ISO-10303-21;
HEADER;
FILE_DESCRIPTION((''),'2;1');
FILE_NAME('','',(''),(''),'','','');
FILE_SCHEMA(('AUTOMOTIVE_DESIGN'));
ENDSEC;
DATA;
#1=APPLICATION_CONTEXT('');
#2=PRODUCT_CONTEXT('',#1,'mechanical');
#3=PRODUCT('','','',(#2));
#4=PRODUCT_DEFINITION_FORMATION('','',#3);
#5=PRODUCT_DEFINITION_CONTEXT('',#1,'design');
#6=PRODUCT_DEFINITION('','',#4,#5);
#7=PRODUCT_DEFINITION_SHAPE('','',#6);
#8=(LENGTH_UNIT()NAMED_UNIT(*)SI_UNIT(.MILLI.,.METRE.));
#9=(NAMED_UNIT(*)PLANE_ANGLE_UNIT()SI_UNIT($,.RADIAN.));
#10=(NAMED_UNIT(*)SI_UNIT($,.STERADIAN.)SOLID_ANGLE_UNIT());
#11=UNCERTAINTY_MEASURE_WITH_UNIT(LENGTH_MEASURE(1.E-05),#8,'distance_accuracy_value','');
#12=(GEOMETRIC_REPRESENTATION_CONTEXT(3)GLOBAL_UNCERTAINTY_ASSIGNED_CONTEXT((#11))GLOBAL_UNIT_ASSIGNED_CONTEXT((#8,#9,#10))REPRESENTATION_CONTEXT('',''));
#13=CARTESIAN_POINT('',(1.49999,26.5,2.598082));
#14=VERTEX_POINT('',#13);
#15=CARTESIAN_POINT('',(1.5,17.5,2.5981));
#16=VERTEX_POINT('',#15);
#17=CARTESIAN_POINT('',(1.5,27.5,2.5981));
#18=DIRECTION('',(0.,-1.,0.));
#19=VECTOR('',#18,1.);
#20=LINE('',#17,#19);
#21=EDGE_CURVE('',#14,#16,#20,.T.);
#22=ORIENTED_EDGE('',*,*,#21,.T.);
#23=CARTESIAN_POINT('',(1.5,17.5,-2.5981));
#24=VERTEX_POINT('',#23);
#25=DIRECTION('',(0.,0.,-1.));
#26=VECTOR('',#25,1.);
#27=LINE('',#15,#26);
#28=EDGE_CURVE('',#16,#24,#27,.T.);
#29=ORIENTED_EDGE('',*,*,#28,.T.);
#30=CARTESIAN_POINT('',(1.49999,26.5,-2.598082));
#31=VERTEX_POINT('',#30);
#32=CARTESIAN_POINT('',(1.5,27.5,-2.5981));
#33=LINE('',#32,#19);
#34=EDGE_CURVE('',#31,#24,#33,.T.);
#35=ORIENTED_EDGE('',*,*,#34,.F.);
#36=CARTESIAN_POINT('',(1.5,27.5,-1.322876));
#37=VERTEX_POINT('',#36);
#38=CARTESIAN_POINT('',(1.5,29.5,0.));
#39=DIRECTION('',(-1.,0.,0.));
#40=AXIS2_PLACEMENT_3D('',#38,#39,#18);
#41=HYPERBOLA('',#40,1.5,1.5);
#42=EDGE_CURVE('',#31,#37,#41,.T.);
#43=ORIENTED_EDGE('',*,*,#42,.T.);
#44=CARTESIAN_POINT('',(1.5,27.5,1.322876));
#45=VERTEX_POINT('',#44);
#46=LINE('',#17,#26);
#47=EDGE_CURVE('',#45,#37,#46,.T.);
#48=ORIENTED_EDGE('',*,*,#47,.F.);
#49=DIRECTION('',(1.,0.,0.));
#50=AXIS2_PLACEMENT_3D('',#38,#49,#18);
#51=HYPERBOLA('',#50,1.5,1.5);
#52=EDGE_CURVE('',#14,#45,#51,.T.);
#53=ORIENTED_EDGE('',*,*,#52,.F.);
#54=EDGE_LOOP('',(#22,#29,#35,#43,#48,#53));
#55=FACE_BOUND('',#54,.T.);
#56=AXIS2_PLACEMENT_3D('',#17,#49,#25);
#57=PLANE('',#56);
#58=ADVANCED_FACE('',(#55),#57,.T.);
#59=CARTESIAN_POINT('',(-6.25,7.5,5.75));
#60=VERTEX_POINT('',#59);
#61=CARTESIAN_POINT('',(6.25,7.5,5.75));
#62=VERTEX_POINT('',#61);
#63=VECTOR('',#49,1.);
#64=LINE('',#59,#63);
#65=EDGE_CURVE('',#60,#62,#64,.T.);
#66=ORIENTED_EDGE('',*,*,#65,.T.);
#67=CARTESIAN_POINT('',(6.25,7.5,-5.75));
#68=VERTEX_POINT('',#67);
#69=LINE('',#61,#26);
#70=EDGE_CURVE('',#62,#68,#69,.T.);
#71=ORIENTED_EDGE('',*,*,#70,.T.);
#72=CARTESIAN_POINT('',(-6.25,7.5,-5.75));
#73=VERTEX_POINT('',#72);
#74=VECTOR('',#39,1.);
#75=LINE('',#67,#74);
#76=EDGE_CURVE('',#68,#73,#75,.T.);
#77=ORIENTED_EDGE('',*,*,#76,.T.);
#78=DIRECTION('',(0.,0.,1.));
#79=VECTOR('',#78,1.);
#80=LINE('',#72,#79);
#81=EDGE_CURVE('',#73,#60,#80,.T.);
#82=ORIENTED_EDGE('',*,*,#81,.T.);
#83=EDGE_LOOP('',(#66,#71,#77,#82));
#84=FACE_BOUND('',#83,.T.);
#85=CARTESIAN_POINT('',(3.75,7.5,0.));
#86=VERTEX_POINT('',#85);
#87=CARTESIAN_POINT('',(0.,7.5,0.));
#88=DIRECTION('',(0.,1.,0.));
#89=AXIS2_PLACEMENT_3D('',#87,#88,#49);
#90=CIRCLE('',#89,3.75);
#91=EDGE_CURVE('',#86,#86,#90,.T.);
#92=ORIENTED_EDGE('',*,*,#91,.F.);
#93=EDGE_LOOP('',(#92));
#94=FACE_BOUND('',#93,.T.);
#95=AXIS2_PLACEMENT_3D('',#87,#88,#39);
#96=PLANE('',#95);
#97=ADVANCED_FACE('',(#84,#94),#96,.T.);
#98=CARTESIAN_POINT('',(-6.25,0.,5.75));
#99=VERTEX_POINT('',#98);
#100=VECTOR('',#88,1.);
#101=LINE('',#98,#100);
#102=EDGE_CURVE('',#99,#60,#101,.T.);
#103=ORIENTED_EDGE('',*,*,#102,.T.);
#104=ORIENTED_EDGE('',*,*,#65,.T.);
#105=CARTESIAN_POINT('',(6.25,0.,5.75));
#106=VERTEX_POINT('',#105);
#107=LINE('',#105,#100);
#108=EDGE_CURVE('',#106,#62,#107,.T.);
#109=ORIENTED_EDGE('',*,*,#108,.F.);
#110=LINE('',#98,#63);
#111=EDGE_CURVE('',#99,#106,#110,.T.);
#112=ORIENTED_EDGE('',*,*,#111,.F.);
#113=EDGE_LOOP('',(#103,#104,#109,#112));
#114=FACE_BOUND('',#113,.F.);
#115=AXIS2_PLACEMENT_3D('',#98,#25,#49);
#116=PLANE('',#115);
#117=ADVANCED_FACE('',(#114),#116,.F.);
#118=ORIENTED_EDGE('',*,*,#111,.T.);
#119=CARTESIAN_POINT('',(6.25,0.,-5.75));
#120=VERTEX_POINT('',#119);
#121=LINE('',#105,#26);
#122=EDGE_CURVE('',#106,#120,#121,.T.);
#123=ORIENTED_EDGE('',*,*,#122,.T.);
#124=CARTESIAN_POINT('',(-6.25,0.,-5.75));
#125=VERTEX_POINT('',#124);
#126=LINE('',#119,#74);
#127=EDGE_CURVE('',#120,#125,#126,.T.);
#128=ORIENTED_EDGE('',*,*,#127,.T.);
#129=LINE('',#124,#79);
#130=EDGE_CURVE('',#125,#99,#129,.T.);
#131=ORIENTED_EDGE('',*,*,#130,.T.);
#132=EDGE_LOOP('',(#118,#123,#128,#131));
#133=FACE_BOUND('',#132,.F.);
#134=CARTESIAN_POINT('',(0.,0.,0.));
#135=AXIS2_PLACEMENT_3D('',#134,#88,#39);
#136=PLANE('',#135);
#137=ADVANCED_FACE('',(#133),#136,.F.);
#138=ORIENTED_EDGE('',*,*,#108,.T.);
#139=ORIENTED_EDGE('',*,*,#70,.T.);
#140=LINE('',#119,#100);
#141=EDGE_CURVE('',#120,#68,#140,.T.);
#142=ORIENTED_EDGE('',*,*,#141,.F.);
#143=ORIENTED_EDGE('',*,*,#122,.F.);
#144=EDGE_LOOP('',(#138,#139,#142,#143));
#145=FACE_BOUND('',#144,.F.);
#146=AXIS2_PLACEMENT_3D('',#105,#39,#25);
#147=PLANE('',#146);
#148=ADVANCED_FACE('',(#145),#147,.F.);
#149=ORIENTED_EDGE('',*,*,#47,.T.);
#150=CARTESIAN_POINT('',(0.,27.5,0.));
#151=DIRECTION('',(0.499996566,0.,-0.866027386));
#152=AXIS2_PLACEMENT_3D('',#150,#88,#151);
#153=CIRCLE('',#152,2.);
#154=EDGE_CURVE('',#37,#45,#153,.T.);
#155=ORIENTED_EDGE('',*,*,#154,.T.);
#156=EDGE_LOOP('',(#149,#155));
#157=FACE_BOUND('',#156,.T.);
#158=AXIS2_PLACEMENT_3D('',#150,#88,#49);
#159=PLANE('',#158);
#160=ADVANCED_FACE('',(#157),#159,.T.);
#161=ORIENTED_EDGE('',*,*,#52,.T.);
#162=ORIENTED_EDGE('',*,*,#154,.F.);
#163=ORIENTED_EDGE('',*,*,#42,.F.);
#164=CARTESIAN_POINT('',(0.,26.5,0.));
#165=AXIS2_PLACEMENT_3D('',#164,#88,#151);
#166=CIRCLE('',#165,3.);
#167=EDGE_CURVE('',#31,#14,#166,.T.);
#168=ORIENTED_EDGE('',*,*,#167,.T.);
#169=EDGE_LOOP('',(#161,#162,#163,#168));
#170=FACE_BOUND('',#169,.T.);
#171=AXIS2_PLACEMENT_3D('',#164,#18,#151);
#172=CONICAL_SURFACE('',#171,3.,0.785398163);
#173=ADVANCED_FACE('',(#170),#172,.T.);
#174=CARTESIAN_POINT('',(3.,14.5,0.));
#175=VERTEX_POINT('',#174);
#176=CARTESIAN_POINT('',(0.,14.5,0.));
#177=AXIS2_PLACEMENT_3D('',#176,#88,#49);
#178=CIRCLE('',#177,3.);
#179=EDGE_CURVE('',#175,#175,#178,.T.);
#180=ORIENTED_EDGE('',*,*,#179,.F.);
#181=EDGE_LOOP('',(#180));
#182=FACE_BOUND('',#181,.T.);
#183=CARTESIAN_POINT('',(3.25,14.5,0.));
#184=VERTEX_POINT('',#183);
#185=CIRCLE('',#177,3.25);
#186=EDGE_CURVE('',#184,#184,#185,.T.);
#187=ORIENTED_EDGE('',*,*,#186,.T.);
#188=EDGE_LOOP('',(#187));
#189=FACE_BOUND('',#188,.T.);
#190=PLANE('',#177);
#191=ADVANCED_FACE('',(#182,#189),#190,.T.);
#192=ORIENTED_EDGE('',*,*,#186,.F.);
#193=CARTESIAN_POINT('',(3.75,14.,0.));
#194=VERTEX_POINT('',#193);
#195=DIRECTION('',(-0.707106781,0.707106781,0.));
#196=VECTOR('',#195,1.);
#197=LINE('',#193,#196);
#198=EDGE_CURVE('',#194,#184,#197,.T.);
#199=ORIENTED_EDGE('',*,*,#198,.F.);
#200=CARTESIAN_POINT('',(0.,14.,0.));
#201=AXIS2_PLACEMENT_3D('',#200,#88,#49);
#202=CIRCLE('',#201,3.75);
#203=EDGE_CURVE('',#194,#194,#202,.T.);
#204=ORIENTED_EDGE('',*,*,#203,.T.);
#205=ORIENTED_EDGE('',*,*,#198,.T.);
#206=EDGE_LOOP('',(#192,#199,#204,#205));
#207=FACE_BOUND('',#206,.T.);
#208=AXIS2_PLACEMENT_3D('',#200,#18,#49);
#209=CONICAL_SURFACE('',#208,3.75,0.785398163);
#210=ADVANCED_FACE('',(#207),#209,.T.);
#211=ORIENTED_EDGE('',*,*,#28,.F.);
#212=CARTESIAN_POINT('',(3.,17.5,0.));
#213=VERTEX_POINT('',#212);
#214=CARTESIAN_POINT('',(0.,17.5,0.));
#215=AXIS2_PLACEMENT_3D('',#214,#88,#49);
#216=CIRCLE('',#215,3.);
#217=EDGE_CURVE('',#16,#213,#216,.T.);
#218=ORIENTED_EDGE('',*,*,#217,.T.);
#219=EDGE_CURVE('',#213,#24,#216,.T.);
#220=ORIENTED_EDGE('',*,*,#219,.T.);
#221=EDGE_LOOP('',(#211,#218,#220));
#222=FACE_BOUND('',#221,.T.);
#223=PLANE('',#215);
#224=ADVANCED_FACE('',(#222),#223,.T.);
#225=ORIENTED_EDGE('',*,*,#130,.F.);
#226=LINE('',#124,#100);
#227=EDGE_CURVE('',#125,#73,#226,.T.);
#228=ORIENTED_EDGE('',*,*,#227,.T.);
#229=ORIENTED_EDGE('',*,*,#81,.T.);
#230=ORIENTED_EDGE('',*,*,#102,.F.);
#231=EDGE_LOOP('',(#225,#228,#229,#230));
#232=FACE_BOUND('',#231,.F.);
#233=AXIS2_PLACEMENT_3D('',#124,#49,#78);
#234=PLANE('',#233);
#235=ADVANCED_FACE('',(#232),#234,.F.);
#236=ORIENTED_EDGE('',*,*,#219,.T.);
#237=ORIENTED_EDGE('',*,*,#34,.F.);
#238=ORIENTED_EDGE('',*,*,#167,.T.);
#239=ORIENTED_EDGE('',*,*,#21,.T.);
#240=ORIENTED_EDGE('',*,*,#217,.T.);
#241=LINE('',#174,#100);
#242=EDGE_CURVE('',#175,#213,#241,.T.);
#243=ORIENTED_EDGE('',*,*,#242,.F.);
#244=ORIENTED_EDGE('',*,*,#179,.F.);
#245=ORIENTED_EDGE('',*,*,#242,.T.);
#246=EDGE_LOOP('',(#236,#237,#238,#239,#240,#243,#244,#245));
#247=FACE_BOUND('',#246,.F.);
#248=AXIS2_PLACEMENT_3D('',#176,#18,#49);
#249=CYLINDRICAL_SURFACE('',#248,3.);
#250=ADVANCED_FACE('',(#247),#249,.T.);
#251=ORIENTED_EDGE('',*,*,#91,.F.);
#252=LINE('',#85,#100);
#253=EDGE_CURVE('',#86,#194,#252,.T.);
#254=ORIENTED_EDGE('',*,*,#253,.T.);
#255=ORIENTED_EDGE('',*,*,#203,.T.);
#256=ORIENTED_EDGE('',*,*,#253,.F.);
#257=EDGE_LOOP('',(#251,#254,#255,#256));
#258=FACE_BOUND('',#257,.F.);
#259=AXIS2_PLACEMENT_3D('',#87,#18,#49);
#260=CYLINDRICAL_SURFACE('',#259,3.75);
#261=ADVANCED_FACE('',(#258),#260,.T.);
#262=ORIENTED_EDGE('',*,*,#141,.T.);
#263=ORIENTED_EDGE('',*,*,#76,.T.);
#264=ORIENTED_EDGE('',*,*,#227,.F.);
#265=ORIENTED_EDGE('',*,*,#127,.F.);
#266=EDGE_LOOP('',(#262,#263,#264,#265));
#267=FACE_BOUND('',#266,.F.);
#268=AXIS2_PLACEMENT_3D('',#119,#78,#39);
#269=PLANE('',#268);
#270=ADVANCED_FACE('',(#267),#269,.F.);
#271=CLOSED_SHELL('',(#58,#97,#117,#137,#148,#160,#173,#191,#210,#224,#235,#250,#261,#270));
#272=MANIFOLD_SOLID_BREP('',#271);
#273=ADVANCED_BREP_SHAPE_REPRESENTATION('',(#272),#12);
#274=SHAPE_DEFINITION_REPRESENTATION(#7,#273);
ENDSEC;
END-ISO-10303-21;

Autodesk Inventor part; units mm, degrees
ref_plane "YZ Plane" through (0, 0, 0) normal (1, 0, 0) x (0, 1, 0)
ref_plane "XZ Plane" through (0, 0, 0) normal (0, 1, 0) x (-1, 0, 0)
ref_plane "XY Plane" through (0, 0, 0) normal (0, 0, 1) x (1, 0, 0)
sketch "Sketch1" plane through (0, 0, 0) normal (0, 1, 0) x (-1, 0, 0)
  line L0 (6.25, 5.75) -> (-6.25, 5.75)
  line L1 (-6.25, 5.75) -> (-6.25, -5.75)
  line L2 (-6.25, -5.75) -> (6.25, -5.75)
  line L3 (6.25, -5.75) -> (6.25, 5.75)
  line L4 (6.25, 5.75) -> (-6.25, -5.75) construction
  line L5 (-6.25, 5.75) -> (6.25, -5.75) construction
  point P0 (0, 0)
  dimension "d0" = 12.5
  dimension "d1" = 11.5
extrude "Extrusion1" add sketch "Sketch1" along normal blind 7.5
sketch "Sketch2" plane through (0, 7.5, 0) normal (0, 1, 0) x (1, 0, 0)
  circle A0 centre (0, 0) radius 3.75
  dimension "d4" = 7.5
extrude "Extrusion2" add sketch "Sketch2" along normal blind 7
sketch "Sketch3" plane through (0, 14.5, 0) normal (0, 1, 0) x (1, 0, 0)
  circle A0 centre (0, 0) radius 3
  dimension "d7" = 6
extrude "Extrusion3" add sketch "Sketch3" along normal blind 13
sketch "Sketch4" plane through (0, 27.5, 0) normal (0, 1, 0) x (1, 0, 0)
  circle A0 centre (0, 0) radius 3 projected
  line L0 (1.5, -2.5981) -> (1.5, 2.5981)
  line L1 (3, 0) -> (-9, 0) construction
  circle A1 centre (0, 0) radius 3.75 construction
  circle A2 centre (0, 0) radius 3 construction
  point P0 (-3, 0)
  dimension "d10" = 4.5
extrude "Extrusion4" cut sketch "Sketch4" against normal blind 10 contours A0 L0 picked at (1.6691, 0.7431)
chamfer "Chamfer1" distance 0.5 angle 45 1 edges at (-3.75, 14.5, 0)
chamfer "Chamfer2" distance 1 angle 45 1 edges at (-3, 27.5, 0)
properties part number "rotery"
